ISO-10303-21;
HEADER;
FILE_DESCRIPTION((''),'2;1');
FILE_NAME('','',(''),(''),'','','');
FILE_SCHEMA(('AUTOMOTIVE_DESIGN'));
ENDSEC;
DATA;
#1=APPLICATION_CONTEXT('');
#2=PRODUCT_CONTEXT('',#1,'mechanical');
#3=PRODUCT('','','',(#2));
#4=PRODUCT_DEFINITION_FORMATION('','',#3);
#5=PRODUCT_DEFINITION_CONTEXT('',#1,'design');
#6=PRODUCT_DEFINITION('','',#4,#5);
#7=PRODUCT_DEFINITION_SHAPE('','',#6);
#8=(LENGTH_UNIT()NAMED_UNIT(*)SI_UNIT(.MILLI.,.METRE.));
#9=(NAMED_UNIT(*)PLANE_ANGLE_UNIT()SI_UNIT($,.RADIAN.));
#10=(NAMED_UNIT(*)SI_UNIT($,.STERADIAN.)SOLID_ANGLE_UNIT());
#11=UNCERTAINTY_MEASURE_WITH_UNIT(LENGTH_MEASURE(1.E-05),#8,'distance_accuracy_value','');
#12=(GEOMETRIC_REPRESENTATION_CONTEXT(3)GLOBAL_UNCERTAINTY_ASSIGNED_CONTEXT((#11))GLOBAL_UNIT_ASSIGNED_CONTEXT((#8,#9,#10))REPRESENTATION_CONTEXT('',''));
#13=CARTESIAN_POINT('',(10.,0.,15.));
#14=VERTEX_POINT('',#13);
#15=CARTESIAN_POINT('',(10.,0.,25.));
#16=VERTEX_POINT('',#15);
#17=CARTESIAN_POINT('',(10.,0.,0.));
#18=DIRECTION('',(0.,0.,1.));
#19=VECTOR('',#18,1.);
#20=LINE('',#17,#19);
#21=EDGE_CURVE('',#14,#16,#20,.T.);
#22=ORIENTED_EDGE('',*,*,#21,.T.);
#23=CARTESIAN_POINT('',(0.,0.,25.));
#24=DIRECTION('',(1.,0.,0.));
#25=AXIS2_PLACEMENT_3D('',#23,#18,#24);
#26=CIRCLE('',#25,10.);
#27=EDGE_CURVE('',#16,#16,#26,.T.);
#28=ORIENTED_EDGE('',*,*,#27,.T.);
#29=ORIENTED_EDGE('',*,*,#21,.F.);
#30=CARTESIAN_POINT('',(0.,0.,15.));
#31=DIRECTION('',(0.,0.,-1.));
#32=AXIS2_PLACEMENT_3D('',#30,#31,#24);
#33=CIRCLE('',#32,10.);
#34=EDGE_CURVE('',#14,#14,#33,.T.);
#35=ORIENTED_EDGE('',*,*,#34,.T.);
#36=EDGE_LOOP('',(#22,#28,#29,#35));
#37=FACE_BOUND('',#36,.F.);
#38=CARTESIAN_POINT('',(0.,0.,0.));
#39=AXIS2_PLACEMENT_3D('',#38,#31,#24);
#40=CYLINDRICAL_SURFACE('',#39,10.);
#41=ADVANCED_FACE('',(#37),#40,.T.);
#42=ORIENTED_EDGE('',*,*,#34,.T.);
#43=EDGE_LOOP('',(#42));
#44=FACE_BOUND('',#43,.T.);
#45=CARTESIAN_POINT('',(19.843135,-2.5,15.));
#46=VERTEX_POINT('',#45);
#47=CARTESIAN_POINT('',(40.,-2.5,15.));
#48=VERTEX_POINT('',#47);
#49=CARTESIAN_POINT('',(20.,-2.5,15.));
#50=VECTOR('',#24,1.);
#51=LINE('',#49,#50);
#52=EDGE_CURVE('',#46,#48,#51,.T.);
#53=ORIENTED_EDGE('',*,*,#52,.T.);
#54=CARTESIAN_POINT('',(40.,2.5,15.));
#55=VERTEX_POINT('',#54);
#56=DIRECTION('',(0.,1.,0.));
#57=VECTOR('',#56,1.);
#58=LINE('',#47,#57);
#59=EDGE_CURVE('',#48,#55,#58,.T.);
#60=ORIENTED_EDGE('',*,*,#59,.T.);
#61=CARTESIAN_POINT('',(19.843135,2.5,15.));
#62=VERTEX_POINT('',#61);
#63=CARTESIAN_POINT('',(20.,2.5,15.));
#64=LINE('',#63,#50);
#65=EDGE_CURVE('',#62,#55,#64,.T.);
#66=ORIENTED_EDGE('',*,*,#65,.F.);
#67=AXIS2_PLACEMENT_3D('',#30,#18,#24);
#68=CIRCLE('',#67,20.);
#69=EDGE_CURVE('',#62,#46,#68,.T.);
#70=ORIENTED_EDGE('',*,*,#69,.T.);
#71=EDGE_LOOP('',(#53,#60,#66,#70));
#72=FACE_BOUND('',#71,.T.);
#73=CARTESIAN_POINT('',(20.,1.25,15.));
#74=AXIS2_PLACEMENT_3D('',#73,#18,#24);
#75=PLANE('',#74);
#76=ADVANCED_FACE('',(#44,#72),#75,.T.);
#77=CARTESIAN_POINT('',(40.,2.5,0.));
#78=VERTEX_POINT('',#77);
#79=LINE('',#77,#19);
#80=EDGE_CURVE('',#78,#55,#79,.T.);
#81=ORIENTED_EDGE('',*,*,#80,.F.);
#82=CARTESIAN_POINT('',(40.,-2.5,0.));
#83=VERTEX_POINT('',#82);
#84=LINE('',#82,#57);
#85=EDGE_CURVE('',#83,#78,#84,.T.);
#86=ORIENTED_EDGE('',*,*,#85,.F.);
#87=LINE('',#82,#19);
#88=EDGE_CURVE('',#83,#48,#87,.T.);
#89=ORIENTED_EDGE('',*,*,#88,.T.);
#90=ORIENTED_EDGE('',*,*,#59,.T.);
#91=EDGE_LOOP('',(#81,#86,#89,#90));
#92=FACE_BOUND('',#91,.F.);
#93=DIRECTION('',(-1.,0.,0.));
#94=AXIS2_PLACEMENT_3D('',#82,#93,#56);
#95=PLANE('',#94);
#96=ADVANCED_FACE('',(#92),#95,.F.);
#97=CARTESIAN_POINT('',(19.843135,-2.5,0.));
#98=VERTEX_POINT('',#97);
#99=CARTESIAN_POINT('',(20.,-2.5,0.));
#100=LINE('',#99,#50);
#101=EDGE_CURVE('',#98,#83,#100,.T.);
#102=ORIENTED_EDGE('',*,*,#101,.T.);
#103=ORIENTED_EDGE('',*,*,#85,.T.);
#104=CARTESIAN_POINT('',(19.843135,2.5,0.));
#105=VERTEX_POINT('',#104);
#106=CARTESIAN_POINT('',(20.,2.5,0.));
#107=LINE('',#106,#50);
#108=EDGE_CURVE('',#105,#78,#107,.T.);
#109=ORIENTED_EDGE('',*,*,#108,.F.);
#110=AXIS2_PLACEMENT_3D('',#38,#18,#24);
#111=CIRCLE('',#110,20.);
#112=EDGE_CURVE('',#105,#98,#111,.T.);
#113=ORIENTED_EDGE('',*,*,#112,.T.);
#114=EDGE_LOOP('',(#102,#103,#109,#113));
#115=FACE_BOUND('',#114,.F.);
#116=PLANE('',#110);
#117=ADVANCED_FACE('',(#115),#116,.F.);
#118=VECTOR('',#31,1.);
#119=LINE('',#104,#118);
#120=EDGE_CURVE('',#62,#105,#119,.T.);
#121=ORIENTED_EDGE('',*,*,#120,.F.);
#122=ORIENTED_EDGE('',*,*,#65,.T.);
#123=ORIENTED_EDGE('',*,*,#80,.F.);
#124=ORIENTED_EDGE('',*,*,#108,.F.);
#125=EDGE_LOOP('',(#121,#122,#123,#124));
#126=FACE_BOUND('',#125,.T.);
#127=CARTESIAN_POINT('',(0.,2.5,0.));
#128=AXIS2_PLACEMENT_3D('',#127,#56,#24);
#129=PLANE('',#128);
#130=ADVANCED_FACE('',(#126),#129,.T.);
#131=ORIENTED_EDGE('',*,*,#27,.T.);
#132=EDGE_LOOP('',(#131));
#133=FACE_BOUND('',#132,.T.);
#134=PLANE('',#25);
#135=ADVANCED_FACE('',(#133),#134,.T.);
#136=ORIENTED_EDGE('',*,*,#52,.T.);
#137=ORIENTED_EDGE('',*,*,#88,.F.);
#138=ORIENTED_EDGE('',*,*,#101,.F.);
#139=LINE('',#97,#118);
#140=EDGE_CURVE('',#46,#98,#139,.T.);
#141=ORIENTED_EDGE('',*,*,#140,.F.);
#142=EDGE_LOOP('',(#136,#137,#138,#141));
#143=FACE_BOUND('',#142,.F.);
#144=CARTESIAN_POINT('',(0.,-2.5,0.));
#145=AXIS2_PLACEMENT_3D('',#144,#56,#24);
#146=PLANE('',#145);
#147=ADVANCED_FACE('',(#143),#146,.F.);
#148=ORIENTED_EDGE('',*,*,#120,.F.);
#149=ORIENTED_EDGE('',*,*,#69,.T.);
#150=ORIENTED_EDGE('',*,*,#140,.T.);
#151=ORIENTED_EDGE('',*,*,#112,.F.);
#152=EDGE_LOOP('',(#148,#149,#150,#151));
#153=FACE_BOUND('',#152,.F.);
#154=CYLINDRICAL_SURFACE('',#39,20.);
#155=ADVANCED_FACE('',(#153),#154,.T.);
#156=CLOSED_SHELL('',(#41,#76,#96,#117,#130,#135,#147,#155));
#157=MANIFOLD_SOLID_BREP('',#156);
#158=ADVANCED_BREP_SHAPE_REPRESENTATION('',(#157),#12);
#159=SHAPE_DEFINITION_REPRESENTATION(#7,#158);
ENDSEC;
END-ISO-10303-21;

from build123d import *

# Parameters (mm, degrees)
F0_R     = 20
F1_DEPTH = 15
F2_W     = 40
F2_H     = 2.5
F3_DEPTH = 15
F4_R     = 10
F5_DEPTH = 25


with BuildPart() as f1:
    # F0 (on Top) → F1 (new body)
    with BuildSketch(Plane.XY):
        Circle(F0_R)
    extrude(amount=F1_DEPTH)

    # F2 (on Top) → F3 (join)
    with BuildSketch(Plane.XY):
        with Locations((20, 1.25)):
            Rectangle(F2_W, F2_H)
        with Locations((20, -1.25)):
            Rectangle(F2_W, F2_H)
    extrude(amount=F3_DEPTH)

    # F4 (on Top) → F5 (join)
    with BuildSketch(Plane.XY):
        Circle(F4_R)
    extrude(amount=F5_DEPTH)


solid = f1.part
